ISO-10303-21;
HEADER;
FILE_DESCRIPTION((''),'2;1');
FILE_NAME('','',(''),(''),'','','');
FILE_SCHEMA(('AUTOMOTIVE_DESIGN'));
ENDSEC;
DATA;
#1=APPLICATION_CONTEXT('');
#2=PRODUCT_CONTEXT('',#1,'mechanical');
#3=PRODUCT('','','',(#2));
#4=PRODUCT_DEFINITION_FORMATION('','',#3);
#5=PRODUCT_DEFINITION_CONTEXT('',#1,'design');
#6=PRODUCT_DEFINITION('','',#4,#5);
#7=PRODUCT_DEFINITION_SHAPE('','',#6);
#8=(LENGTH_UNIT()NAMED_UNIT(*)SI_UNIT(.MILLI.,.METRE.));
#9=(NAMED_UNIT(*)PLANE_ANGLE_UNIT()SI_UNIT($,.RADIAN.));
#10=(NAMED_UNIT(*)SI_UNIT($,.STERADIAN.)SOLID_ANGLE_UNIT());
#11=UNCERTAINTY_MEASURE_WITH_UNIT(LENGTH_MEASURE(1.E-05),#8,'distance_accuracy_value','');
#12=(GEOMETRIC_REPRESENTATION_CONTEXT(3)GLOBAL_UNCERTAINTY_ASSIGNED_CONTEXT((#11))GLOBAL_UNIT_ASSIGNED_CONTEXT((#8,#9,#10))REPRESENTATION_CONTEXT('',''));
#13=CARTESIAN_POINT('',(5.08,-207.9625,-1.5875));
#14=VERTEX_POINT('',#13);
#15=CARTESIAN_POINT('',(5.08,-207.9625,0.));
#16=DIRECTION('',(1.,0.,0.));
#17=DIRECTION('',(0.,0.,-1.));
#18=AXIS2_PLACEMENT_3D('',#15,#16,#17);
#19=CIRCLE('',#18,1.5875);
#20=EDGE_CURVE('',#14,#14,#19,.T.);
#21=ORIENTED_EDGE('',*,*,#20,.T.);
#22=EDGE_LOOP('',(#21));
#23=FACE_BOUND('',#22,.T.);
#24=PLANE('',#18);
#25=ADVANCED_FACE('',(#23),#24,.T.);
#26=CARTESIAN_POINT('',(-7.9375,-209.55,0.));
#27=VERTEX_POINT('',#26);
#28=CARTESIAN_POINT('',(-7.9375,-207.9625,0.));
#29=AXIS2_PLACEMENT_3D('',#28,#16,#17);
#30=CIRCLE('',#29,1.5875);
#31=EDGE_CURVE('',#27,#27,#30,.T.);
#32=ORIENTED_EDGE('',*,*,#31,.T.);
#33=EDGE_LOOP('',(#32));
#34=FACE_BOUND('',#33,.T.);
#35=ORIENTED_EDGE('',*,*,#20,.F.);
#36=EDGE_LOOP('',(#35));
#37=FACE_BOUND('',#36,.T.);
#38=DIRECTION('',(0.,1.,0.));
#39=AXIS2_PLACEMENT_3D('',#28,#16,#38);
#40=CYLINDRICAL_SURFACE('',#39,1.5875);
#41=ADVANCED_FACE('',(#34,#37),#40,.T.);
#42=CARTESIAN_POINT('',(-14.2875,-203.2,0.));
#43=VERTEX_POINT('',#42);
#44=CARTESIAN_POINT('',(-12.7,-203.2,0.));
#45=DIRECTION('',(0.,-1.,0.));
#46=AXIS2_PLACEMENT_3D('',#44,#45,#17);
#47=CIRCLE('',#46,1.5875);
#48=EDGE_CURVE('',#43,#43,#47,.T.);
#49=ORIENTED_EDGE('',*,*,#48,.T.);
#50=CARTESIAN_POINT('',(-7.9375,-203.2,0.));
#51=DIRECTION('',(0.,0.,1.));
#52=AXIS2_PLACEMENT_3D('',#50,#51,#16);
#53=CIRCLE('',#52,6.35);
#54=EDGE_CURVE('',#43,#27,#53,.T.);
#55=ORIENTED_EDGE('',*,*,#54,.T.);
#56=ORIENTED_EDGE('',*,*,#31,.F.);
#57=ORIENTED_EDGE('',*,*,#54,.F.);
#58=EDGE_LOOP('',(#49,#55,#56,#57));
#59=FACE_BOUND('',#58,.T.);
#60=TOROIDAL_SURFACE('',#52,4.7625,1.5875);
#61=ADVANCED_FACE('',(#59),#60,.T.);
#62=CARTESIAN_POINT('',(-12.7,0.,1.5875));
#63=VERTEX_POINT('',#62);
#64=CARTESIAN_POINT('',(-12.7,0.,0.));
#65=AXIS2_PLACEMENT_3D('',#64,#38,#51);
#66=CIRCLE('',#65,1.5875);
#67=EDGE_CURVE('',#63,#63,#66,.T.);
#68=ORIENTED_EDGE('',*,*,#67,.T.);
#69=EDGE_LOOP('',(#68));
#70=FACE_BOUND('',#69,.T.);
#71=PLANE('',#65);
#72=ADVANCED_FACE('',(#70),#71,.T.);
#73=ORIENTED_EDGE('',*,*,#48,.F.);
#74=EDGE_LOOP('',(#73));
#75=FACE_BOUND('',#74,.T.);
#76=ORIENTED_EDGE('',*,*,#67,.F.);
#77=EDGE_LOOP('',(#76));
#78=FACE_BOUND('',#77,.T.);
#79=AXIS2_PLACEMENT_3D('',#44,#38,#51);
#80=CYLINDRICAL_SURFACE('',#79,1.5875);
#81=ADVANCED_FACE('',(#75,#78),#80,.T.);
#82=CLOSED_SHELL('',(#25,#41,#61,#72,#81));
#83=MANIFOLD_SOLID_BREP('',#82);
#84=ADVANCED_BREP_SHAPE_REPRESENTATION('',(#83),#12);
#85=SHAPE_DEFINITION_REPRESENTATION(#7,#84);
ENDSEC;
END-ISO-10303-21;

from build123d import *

# Parameters (mm, degrees)
SKETCH1_R           = 1.5875
BOSS_EXTRUDE1_DEPTH = 203.2
SKETCH3_R           = 1.5875


with BuildPart() as part:
    # Sketch1 → Boss-Extrude1 (new body)
    with BuildSketch(Plane(origin=(0, 0, 0), x_dir=(1, 0, 0), z_dir=(0, 1, 0))):
        with Locations((-12.7, 0)):
            Circle(SKETCH1_R)
    extrude(amount=-BOSS_EXTRUDE1_DEPTH)

    # Sweep1: sweep along a path in Sketch2
    with BuildLine(Plane.XY) as sweep1_path:
        Line((5.08, -207.9625), (-7.9375, -207.9625))
        ThreePointArc((-7.9375, -207.9625), (-11.305096045, -206.567596045), (-12.7, -203.2))
    # Sketch3 → Sweep1 (sweep)
    with BuildSketch(Plane(origin=(5.08, 0, 0), x_dir=(0, 0, -1), z_dir=(1, 0, 0))):
        with Locations((0, -207.9625)):
            Circle(SKETCH3_R)
    sweep(path=sweep1_path.line)


solid = part.part
